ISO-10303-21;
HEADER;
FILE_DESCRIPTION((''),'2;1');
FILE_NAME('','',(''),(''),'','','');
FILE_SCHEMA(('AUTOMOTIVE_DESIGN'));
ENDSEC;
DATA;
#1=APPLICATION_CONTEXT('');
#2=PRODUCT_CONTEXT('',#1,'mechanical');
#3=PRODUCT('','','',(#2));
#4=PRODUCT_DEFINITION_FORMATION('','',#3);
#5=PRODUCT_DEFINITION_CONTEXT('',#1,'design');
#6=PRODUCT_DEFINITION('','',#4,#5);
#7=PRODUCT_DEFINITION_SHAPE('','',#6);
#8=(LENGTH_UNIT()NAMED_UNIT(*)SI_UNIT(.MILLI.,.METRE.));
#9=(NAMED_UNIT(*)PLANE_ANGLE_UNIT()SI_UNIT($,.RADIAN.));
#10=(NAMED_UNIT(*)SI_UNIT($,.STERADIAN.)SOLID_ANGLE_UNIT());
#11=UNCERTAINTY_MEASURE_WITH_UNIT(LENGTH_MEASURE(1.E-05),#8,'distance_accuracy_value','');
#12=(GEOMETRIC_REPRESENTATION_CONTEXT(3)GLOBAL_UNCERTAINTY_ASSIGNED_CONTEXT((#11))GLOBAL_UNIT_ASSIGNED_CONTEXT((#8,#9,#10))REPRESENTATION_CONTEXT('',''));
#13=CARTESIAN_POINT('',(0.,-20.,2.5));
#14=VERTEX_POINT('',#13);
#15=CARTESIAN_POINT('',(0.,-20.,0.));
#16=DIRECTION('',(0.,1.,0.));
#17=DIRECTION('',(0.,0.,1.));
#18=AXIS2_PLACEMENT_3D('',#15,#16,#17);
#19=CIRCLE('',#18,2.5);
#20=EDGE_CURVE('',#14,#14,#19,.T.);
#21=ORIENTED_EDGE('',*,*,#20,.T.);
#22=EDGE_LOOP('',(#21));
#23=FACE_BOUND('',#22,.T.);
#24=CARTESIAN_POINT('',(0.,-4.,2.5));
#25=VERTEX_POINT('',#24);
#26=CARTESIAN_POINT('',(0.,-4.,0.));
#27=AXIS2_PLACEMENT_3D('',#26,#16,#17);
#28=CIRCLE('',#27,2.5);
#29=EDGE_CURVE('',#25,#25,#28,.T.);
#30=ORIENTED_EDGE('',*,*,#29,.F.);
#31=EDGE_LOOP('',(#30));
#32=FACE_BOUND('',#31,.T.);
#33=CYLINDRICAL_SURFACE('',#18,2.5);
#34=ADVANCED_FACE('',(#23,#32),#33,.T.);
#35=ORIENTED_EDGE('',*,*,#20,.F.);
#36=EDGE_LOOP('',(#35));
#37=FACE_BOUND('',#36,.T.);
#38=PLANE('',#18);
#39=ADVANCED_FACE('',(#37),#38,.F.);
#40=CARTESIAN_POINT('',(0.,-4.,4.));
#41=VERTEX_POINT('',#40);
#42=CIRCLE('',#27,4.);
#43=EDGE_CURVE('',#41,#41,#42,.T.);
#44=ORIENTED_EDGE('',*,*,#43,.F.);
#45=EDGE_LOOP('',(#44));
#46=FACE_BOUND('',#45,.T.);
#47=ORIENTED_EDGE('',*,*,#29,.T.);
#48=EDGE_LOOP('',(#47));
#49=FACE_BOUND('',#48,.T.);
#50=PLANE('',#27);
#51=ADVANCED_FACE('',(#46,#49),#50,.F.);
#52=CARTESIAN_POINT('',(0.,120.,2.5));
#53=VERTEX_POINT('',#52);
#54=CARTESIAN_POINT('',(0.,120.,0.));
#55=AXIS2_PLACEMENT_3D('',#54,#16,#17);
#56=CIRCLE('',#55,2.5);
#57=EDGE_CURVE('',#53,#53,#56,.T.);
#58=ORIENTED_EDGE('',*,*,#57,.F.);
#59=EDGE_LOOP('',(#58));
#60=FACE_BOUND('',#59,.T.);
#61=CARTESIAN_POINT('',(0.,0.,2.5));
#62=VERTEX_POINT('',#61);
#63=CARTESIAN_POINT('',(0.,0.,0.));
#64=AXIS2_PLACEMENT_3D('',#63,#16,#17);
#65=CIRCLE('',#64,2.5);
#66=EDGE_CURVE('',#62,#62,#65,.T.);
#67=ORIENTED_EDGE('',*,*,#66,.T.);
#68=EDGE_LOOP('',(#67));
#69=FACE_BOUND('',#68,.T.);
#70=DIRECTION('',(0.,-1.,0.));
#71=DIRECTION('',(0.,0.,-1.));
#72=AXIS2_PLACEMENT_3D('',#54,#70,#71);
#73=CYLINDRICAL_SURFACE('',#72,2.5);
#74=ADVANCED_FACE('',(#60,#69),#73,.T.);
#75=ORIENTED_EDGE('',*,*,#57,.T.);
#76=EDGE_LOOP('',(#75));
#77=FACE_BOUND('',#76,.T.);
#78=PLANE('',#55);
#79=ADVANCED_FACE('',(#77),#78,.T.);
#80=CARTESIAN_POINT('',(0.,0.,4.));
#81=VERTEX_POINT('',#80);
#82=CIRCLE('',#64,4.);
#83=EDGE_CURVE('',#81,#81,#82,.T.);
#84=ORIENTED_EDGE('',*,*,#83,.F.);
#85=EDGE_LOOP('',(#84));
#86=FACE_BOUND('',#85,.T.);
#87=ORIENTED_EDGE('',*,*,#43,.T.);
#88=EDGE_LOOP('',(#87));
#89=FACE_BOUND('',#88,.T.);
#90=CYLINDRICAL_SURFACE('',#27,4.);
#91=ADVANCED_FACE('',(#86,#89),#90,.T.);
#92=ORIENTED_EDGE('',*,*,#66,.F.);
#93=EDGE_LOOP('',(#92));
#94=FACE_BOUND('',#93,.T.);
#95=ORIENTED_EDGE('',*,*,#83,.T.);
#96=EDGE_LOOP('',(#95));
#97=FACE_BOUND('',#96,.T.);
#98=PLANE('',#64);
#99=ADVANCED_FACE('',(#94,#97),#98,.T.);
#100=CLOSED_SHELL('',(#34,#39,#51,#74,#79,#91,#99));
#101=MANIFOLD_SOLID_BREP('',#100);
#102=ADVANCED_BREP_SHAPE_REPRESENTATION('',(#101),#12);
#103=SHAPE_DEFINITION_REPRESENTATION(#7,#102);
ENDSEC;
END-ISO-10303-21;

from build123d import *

# Parameters (mm, degrees)
SKETCH1_R           = 2.5
BOSS_EXTRUDE1_DEPTH = 120
SKETCH2_R           = 4
BOSS_EXTRUDE2_DEPTH = 4
BOSS_EXTRUDE3_START = -20
SKETCH3_R           = 2.5
BOSS_EXTRUDE3_DEPTH = 20


with BuildPart() as part:
    # Sketch1 → Boss-Extrude1 (new body)
    with BuildSketch(Plane(origin=(0, 0, 0), x_dir=(1, 0, 0), z_dir=(0, 1, 0))):
        with Locations(Location((0, 0, 0), (0, 0, 270))):
            Circle(SKETCH1_R)
    extrude(amount=BOSS_EXTRUDE1_DEPTH)

    # Sketch2 → Boss-Extrude2 (add)
    with BuildSketch(Plane(origin=(0, 0, 0), x_dir=(1, 0, 0), z_dir=(0, 1, 0))):
        with Locations(Location((0, 0, 0), (0, 0, 270))):
            Circle(SKETCH2_R)
    extrude(amount=-BOSS_EXTRUDE2_DEPTH)

    # Sketch3 → Boss-Extrude3 (add)
    with BuildSketch(Plane(origin=(0, 0, 0), x_dir=(1, 0, 0), z_dir=(0, 1, 0)).offset(BOSS_EXTRUDE3_START)):
        with Locations(Location((0, 0, 0), (0, 0, 270))):
            Circle(SKETCH3_R)
    extrude(amount=BOSS_EXTRUDE3_DEPTH)


solid = part.part
